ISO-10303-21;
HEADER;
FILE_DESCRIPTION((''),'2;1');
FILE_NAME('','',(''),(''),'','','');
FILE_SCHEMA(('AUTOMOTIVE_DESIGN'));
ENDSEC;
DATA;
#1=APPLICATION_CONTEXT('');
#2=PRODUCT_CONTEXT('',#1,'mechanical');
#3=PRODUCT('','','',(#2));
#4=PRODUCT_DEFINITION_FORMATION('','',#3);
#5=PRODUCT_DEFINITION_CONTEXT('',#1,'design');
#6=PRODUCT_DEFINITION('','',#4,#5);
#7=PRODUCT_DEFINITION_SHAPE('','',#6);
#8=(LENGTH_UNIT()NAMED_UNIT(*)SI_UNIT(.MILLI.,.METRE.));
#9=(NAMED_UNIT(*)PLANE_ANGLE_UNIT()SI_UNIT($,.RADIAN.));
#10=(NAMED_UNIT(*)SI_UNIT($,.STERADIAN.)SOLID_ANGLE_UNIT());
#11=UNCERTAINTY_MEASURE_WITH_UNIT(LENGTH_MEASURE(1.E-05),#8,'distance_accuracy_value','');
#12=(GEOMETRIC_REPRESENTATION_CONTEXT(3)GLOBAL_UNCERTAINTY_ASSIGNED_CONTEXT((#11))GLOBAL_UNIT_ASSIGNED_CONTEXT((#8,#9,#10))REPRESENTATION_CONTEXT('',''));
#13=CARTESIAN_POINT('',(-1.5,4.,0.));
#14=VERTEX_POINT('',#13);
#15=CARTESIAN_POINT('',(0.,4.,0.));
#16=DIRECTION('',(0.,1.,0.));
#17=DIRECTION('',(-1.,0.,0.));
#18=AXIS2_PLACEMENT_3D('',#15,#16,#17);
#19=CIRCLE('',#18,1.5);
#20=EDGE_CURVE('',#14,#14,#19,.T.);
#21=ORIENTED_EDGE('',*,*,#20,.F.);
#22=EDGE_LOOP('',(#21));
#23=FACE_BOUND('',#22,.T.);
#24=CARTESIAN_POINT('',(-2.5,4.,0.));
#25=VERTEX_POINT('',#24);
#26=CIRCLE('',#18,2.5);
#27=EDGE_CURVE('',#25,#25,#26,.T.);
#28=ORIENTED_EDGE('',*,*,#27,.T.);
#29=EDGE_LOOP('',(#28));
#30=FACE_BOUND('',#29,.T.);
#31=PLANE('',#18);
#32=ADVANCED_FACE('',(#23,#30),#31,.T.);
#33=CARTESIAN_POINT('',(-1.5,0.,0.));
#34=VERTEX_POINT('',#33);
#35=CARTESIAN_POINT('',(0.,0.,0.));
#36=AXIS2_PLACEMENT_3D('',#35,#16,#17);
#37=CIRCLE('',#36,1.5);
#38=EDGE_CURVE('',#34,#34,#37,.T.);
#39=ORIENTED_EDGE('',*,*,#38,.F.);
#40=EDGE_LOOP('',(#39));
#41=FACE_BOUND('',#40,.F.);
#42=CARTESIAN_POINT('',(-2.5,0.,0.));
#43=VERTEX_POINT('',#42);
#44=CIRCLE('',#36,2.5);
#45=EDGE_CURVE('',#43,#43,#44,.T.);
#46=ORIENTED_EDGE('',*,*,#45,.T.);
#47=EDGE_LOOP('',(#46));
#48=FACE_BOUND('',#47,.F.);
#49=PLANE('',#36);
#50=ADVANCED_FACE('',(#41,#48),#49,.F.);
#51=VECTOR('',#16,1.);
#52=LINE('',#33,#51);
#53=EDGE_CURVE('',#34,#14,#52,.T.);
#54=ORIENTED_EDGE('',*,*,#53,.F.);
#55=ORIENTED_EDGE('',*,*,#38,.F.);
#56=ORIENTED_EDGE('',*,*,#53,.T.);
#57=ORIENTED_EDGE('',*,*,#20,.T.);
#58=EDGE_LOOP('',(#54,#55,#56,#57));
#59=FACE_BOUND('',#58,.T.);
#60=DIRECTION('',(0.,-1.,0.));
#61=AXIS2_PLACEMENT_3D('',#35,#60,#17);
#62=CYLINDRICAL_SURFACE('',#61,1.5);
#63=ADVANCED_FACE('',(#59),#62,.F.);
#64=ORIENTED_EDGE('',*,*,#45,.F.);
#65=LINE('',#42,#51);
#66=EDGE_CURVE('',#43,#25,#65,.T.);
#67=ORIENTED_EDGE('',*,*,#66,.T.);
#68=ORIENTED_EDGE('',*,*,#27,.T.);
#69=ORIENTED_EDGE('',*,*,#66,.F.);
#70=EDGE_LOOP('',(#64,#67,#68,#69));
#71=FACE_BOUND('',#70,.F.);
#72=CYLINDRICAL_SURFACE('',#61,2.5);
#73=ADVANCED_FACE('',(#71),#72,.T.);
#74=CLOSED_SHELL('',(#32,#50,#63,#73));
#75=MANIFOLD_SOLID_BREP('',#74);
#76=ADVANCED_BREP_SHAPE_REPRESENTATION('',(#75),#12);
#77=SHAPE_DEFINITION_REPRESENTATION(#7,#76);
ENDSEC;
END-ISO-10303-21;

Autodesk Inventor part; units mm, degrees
ref_plane "YZ Plane" through (0, 0, 0) normal (1, 0, 0) x (0, 1, 0)
ref_plane "XZ Plane" through (0, 0, 0) normal (0, 1, 0) x (-1, 0, 0)
ref_plane "XY Plane" through (0, 0, 0) normal (0, 0, 1) x (1, 0, 0)
sketch "Sketch1" plane through (0, 0, 0) normal (0, 1, 0) x (-1, 0, 0)
  circle A0 centre (0, 0) radius 1.5
  circle A1 centre (0, 0) radius 2.5
  dimension "d0" = 3
  dimension "d1" = 5
extrude "Extrusion1" add sketch "Sketch1" along normal blind 4
properties part number "Bearing correct" material "Bronze, Cast"
